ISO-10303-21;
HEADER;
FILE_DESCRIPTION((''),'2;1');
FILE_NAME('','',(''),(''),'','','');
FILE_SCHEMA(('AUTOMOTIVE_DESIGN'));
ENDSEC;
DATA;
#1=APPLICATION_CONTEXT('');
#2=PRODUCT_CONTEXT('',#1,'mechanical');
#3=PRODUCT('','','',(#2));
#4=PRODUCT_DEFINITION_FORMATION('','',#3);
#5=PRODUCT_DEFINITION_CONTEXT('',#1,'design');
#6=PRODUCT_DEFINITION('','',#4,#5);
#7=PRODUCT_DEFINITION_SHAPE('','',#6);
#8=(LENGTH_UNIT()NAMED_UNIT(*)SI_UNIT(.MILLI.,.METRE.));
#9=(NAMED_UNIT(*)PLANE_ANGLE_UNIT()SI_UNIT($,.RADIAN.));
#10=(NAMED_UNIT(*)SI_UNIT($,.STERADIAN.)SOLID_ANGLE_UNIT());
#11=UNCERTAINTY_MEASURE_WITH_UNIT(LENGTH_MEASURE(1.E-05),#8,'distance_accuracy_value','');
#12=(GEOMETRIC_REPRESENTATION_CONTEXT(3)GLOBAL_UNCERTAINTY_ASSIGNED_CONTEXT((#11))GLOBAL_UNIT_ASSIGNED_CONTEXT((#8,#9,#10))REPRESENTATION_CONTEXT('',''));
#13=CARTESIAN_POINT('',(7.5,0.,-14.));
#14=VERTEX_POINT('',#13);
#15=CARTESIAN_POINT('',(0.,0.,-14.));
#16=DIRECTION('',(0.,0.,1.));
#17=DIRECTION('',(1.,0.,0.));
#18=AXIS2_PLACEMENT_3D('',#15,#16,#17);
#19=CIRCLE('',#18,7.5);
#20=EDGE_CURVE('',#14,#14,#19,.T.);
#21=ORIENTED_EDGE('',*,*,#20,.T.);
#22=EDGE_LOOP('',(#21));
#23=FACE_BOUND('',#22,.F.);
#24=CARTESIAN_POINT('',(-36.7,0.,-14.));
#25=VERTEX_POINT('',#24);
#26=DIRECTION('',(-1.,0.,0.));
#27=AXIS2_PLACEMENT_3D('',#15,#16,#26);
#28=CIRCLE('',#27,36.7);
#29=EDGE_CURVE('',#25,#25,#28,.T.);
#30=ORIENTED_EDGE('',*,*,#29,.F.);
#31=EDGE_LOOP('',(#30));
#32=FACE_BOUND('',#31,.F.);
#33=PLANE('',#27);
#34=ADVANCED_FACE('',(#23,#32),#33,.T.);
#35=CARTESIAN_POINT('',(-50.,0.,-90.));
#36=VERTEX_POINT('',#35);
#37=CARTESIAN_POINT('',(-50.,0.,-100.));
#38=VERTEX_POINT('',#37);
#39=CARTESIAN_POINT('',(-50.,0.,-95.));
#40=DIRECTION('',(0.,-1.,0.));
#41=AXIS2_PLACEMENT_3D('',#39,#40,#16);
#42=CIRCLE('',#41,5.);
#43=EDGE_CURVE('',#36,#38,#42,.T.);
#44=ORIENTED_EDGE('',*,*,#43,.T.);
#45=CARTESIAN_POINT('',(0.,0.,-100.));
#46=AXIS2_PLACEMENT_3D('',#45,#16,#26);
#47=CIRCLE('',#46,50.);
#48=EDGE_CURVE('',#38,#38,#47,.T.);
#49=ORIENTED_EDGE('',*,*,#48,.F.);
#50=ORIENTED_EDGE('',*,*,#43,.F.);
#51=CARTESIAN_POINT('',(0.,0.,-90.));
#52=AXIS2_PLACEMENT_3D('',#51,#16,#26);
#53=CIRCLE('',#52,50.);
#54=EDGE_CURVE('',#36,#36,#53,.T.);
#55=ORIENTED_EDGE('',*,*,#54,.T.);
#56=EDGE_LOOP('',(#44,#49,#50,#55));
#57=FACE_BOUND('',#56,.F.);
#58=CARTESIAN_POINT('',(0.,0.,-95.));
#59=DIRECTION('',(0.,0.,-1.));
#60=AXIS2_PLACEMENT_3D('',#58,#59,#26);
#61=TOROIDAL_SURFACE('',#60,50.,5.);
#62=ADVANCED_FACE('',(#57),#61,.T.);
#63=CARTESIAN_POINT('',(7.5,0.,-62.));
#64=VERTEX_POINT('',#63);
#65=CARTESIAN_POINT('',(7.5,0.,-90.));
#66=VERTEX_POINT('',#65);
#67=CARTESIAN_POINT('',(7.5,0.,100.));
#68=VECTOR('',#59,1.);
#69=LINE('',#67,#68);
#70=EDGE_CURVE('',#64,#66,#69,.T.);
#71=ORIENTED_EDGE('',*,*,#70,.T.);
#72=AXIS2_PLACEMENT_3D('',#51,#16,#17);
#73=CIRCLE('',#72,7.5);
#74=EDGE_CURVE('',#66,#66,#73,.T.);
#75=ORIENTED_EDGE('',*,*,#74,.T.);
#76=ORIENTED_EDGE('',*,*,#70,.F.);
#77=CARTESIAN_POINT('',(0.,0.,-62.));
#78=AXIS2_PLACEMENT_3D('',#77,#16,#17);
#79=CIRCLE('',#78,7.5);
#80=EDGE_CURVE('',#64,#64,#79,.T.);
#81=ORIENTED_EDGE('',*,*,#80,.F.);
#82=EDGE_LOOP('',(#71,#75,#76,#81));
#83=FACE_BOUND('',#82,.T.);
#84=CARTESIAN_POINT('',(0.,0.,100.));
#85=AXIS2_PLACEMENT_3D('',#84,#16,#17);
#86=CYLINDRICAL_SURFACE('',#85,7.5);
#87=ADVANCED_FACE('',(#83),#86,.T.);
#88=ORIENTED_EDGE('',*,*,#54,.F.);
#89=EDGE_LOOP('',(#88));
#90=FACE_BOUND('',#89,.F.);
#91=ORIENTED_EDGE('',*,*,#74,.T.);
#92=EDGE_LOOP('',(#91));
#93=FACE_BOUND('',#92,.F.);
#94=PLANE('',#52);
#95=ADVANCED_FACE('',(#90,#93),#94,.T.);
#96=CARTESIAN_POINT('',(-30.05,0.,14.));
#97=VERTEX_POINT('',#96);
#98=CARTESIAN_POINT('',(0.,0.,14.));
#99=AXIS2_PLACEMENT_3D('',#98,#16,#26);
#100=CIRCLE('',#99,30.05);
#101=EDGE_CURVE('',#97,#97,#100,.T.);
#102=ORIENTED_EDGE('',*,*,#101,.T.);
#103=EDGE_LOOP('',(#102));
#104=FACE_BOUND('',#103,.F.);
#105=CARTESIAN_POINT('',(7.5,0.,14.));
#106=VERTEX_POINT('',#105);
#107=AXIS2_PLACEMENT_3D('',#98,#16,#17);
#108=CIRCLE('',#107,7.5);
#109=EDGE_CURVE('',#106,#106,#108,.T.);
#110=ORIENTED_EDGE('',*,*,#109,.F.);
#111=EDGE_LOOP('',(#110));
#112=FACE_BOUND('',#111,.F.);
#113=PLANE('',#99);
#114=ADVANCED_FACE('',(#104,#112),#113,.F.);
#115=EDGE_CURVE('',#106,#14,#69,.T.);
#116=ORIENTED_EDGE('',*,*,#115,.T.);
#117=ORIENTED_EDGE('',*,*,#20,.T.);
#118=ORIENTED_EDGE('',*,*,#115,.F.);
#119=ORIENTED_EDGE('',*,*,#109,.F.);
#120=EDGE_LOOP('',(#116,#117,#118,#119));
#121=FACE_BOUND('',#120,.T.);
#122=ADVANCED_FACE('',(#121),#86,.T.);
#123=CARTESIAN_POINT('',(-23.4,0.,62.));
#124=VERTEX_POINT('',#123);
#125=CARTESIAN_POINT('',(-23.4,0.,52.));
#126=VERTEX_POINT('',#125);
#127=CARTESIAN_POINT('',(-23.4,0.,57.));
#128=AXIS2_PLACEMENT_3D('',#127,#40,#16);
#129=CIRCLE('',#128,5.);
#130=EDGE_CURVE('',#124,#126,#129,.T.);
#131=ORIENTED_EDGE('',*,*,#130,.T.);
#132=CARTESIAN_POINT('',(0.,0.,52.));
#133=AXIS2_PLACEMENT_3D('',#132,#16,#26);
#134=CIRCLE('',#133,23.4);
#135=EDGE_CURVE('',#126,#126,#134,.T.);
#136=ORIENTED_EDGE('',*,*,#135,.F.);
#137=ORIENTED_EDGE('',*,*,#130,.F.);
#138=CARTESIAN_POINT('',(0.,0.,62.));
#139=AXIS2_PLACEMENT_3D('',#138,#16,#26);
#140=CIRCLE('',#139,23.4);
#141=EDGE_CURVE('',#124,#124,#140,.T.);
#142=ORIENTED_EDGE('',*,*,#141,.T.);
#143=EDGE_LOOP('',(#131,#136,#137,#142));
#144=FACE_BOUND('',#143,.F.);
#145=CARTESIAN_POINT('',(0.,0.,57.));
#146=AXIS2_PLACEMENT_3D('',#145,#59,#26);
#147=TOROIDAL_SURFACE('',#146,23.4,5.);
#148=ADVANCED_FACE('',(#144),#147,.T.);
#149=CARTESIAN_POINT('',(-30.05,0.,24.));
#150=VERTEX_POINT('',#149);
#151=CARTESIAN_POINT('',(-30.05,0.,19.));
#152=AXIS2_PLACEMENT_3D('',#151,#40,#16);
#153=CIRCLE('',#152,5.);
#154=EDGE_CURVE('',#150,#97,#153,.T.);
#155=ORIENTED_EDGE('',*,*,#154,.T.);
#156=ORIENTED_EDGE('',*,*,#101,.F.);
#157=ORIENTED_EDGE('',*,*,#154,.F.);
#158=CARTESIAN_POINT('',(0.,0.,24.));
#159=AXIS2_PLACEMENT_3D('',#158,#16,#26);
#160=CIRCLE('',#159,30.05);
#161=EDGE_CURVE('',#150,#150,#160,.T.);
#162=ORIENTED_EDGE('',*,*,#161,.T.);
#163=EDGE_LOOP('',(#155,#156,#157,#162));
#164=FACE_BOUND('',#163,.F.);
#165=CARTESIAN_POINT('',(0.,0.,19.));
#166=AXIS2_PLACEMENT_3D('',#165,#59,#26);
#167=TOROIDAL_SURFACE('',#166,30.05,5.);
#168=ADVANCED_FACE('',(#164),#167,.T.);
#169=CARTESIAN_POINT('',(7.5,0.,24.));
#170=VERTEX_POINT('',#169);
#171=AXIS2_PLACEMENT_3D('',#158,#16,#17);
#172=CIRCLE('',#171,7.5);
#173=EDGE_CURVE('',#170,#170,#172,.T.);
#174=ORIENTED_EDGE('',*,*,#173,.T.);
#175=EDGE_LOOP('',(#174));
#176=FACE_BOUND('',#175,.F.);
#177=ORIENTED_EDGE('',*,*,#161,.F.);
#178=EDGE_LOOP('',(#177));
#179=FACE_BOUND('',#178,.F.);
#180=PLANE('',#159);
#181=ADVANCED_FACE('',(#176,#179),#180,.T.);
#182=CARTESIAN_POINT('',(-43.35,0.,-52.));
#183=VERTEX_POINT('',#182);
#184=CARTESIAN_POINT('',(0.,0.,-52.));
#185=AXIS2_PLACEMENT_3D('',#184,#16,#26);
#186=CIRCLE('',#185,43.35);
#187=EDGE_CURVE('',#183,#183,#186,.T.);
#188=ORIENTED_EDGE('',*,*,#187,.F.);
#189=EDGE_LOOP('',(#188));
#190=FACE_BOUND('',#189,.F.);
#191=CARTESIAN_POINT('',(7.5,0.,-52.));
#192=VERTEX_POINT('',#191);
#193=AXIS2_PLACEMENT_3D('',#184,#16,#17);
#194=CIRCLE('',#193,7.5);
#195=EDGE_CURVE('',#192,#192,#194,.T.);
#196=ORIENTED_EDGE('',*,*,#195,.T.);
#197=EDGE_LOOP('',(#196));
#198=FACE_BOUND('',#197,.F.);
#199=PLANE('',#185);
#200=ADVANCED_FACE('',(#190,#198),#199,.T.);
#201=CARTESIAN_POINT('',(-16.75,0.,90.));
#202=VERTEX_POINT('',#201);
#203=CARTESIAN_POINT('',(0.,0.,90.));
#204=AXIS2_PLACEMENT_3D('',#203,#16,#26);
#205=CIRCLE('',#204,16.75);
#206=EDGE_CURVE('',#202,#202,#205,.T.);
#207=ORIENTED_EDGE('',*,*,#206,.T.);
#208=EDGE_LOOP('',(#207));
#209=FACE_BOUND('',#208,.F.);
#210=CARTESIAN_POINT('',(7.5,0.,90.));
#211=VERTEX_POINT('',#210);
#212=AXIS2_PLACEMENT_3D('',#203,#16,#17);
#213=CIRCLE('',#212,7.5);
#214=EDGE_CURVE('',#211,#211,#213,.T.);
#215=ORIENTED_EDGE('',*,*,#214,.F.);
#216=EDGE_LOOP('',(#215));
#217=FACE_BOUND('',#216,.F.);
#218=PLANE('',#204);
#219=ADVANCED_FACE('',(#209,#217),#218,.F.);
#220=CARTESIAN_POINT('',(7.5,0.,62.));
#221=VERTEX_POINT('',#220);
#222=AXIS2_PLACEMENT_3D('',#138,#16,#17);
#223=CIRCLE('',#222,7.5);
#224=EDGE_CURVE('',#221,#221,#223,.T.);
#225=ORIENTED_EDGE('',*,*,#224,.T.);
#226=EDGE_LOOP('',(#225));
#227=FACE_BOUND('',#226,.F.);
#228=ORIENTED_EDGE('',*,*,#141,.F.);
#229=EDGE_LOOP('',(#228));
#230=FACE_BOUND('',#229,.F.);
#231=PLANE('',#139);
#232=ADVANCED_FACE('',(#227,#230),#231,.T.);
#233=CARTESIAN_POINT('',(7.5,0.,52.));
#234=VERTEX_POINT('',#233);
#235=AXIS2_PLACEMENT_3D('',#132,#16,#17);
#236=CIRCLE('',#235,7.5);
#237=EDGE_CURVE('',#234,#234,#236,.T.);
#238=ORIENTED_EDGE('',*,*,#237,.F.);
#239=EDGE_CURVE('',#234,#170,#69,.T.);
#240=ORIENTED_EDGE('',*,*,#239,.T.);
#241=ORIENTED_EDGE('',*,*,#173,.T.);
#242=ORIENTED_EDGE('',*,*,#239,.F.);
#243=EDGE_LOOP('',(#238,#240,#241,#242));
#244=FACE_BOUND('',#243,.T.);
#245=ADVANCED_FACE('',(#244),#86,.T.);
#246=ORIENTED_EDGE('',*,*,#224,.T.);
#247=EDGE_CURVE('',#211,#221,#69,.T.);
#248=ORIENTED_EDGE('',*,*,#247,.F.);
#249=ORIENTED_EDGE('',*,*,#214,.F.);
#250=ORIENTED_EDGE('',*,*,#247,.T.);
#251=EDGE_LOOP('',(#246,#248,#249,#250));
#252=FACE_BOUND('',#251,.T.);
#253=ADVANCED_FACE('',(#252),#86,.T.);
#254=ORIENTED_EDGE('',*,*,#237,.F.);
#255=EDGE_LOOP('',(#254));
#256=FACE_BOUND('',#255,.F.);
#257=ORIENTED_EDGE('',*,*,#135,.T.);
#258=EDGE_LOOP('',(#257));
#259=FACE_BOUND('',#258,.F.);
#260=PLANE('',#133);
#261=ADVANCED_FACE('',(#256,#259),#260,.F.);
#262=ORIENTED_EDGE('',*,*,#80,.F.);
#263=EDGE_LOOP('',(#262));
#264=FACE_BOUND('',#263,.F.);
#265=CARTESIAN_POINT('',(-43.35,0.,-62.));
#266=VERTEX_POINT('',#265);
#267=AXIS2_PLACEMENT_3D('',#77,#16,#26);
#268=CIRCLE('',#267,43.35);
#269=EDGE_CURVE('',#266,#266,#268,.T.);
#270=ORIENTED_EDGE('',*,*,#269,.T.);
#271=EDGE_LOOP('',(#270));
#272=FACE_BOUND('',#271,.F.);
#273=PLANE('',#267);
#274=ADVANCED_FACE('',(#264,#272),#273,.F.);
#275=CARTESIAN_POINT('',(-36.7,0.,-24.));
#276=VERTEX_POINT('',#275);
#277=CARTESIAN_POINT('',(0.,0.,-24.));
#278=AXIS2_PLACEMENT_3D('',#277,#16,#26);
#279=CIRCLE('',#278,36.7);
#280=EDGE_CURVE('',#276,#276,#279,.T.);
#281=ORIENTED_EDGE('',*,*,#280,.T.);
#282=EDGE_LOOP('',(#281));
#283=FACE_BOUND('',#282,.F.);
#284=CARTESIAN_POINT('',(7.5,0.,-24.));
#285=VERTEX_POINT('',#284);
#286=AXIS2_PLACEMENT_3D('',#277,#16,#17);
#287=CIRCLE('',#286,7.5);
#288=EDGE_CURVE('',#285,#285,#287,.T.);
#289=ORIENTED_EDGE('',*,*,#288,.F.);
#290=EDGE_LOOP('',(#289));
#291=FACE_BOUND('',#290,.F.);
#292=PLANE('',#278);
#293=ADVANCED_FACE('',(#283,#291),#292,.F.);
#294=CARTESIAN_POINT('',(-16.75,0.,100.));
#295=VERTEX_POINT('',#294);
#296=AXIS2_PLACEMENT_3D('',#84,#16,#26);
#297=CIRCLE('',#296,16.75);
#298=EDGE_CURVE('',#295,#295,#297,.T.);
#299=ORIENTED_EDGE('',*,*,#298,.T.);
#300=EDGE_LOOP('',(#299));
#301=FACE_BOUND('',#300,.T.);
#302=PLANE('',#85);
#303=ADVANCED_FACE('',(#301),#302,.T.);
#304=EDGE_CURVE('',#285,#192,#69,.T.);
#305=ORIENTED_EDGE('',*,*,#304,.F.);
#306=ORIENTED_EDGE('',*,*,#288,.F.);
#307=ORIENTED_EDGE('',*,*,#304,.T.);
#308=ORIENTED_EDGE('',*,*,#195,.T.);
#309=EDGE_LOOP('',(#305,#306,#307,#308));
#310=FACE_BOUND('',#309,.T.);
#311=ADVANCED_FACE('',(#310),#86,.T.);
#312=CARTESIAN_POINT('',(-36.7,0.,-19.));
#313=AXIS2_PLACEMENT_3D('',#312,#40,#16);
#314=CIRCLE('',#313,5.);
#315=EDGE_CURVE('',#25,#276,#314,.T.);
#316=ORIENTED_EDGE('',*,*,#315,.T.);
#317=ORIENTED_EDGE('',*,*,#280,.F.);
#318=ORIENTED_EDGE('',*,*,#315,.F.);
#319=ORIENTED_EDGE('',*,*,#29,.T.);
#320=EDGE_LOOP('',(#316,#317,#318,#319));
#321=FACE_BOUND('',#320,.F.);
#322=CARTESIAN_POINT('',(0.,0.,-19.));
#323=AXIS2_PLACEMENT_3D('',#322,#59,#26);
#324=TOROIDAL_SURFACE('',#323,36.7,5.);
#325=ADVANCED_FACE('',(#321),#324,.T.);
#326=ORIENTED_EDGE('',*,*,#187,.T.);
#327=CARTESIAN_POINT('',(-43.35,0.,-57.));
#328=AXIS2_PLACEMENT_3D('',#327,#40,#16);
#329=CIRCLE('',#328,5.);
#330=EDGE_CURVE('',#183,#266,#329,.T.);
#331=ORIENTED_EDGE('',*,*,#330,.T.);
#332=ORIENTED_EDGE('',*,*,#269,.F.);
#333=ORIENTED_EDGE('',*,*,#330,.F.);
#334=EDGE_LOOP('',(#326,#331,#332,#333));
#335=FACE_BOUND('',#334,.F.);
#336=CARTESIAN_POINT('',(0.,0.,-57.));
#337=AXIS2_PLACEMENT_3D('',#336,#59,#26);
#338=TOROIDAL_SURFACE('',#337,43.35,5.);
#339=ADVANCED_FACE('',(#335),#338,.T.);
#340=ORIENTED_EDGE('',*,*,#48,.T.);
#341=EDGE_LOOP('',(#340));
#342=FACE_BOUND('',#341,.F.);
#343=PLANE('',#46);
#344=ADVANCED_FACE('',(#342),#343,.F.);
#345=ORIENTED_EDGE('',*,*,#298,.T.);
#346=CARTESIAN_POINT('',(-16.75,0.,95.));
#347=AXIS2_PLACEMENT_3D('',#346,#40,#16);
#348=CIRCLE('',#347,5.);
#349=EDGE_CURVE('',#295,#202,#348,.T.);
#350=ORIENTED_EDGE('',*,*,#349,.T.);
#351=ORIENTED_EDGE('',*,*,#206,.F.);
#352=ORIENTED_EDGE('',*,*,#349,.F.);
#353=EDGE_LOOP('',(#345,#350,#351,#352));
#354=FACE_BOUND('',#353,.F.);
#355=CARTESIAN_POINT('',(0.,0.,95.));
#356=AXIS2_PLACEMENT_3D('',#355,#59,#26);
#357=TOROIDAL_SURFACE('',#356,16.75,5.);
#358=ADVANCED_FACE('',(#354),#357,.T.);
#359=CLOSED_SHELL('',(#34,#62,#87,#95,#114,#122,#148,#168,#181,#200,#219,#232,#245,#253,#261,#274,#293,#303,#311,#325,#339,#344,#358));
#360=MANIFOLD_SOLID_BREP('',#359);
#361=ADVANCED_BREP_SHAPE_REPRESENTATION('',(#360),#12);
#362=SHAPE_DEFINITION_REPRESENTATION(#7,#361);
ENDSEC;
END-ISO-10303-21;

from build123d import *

# Parameters (mm, degrees)
F2_R     = 7.5
F3_DEPTH = 200


with BuildPart() as f1:
    # F0 (on Front) → F1 (revolve)
    with BuildSketch(Plane.XZ):
        with BuildLine():
            ThreePointArc((-30.05, 24), (-35.05, 19), (-30.05, 14))
            Line((-30.05, 14), (0, 14))
            Line((0, 14), (0, 24))
            Line((0, 24), (-28.3, 24))
            Line((-28.3, 24), (-30.05, 24))
        make_face()
        with BuildLine():
            Line((0, -52), (-41.6, -52))
            Line((-41.6, -52), (-43.35, -52))
            ThreePointArc((-43.35, -52), (-48.35, -57), (-43.35, -62))
            Line((-43.35, -62), (0, -62))
            Line((0, -62), (0, -52))
        make_face()
        with BuildLine():
            ThreePointArc((-50, -90), (-55, -95), (-50, -100))
            Line((-50, -100), (0, -100))
            Line((0, -100), (0, -90))
            Line((0, -90), (-50, -90))
        make_face()
        with BuildLine():
            ThreePointArc((-16.75, 100), (-21.75, 95), (-16.75, 90))
            Line((-16.75, 90), (0, 90))
            Line((0, 90), (0, 100))
            Line((0, 100), (-15, 100))
            Line((-15, 100), (-16.75, 100))
        make_face()
        with BuildLine():
            Line((0, -14), (-34.95, -14))
            Line((-34.95, -14), (-36.7, -14))
            ThreePointArc((-36.7, -14), (-41.7, -19), (-36.7, -24))
            Line((-36.7, -24), (0, -24))
            Line((0, -24), (0, -14))
        make_face()
        with BuildLine():
            ThreePointArc((-23.4, 62), (-28.4, 57), (-23.4, 52))
            Line((-23.4, 52), (0, 52))
            Line((0, 52), (0, 62))
            Line((0, 62), (-21.65, 62))
            Line((-21.65, 62), (-23.4, 62))
        make_face()
    revolve(axis=Axis((0, 0, 158.39728), (0, 0, 1)))

    # F2 (on face) → F3 (join, through all)
    with BuildSketch(Plane.XY.offset(100)):
        Circle(F2_R)
    extrude(amount=-F3_DEPTH)


solid = f1.part
